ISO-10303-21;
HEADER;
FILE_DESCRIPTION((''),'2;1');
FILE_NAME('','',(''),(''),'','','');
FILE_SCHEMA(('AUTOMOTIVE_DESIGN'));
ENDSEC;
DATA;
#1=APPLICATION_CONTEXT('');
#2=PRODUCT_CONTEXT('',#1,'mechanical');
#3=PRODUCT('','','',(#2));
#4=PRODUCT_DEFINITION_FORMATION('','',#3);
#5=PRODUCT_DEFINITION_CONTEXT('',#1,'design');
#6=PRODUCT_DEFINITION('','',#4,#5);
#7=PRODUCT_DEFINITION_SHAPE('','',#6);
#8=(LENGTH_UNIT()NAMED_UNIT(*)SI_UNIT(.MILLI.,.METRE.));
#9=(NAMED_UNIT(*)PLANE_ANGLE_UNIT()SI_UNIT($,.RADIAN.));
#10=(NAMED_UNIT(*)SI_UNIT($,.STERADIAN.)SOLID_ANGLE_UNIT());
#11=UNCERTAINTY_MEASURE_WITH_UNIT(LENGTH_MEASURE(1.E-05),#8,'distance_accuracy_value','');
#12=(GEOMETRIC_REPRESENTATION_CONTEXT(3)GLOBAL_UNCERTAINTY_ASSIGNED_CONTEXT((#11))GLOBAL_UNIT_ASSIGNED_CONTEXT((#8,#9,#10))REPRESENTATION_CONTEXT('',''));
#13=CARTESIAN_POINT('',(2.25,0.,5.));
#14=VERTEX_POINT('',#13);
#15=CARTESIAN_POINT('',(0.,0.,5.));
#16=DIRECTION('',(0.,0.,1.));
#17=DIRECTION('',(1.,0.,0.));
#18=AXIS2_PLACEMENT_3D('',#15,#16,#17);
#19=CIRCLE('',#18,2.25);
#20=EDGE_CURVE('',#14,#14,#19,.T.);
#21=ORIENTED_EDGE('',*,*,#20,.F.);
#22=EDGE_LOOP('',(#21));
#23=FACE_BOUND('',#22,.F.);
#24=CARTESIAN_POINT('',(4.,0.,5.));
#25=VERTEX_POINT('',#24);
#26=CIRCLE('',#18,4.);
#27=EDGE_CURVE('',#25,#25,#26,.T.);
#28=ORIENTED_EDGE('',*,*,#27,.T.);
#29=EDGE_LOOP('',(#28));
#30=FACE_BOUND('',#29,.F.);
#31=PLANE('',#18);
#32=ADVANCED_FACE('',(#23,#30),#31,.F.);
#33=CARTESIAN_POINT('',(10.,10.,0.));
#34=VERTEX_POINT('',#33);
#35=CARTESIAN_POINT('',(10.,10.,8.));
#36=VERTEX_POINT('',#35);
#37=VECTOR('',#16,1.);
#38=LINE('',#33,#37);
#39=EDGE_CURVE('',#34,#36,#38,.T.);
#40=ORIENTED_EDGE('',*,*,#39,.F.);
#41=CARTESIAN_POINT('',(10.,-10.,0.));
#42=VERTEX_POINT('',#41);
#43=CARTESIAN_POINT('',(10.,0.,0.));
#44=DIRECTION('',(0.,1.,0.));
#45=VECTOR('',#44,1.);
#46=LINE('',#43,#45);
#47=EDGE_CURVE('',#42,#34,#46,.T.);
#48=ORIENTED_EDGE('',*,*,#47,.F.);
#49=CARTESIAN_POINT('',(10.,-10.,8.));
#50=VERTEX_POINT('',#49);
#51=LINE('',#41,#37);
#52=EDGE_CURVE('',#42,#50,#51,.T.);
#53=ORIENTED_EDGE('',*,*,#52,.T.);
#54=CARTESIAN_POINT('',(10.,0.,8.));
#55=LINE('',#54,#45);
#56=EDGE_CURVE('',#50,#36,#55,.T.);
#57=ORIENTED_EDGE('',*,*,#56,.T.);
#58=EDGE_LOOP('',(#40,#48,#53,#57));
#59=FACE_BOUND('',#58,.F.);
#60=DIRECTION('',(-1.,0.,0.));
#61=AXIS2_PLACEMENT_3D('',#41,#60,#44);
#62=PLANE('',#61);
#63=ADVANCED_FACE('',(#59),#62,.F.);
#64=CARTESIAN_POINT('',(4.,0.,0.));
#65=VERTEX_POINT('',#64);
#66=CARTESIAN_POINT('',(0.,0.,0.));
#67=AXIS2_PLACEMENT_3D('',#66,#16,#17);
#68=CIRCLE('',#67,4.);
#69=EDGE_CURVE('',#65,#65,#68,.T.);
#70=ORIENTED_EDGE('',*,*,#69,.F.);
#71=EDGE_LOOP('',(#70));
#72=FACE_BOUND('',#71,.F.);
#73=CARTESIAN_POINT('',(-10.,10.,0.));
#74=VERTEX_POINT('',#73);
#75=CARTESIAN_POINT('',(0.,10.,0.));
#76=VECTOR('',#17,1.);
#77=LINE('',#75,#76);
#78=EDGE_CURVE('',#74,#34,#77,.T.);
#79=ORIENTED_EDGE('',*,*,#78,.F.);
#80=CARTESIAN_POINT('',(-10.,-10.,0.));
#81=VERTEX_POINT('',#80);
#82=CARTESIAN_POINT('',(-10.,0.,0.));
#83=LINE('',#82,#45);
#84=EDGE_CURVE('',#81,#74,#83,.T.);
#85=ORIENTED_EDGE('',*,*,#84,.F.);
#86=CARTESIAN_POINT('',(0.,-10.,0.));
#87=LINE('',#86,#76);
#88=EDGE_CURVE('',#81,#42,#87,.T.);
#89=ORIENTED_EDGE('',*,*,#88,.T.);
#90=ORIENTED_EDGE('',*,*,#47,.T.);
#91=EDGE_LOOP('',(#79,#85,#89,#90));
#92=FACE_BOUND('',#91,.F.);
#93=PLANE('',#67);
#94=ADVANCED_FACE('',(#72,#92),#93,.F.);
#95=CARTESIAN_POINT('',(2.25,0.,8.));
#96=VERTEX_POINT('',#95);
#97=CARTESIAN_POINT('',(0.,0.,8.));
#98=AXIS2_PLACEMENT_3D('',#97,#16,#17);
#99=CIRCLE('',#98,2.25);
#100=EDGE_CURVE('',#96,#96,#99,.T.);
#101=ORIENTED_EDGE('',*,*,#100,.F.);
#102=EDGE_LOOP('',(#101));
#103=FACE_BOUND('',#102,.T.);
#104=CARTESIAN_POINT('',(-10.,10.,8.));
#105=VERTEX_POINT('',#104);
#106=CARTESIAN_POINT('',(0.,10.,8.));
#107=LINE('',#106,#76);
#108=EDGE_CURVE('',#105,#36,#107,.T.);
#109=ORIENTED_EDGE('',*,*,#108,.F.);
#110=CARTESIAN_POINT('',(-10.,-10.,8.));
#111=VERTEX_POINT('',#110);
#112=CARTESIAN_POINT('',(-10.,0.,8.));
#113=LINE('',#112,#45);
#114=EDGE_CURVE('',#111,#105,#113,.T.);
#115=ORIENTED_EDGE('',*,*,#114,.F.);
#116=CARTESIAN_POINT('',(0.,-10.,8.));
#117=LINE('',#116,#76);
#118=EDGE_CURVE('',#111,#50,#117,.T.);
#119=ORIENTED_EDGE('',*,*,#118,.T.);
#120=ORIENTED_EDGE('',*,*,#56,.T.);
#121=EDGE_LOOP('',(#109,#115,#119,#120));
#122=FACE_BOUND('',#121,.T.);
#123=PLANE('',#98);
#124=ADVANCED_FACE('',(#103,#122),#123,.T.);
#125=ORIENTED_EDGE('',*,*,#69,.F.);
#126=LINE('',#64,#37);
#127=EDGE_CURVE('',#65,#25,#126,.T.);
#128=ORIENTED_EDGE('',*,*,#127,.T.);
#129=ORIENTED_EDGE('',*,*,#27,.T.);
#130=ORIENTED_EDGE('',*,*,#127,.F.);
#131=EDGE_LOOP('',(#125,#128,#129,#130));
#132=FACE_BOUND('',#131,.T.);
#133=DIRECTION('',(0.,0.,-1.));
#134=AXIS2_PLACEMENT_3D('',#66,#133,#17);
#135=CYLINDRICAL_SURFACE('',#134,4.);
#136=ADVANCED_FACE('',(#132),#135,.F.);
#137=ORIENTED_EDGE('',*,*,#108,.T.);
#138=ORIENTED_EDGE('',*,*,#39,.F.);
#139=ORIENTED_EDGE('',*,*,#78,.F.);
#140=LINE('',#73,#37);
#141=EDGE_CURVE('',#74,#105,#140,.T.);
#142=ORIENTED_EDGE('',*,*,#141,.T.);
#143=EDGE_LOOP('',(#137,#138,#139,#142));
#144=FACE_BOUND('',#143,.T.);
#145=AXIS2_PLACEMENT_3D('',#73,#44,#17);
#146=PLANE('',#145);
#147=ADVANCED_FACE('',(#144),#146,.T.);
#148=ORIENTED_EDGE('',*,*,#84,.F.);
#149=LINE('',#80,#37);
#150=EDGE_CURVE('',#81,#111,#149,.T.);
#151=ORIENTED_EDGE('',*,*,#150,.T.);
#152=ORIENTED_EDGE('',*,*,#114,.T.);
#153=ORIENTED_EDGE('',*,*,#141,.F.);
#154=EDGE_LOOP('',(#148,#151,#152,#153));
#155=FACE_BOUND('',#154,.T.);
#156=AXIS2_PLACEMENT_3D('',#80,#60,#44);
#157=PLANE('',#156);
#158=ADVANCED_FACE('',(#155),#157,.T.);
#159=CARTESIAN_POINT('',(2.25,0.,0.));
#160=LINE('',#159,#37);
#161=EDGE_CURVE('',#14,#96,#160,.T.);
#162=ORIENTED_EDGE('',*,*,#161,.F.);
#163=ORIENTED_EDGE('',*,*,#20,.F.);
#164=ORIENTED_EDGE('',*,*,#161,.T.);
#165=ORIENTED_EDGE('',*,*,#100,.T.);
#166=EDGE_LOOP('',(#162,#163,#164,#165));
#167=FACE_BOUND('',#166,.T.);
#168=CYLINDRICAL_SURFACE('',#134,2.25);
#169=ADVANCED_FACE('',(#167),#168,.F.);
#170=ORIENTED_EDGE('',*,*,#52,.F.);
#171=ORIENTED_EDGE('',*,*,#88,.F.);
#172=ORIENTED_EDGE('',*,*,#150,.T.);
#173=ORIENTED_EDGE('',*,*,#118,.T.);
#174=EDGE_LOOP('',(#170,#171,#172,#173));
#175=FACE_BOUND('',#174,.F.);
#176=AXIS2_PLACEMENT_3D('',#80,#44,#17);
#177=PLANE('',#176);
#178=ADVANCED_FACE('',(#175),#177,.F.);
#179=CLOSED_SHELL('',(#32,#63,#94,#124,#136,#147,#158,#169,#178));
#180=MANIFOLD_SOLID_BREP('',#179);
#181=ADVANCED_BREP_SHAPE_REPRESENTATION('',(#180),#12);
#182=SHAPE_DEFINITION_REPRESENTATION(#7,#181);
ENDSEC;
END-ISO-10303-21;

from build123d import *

# Parameters (mm, degrees)
F0_W     = 20
F0_H     = 20
F0_R     = 4
F0_R_2   = 2.25
F1_DEPTH = 8
F2_DEPTH = 5


with BuildPart() as f1:
    # F0 (on Top) → F1 (new body)
    with BuildSketch(Plane.XY):
        Rectangle(F0_W, F0_H)
        Circle(F0_R, mode=Mode.SUBTRACT)
        Circle(F0_R)
        Circle(F0_R_2, mode=Mode.SUBTRACT)
    extrude(amount=F1_DEPTH)

    # F0 (on Top) → F2 (cut)
    with BuildSketch(Plane.XY):
        Circle(F0_R)
        Circle(F0_R_2, mode=Mode.SUBTRACT)
    extrude(amount=F2_DEPTH, mode=Mode.SUBTRACT)


solid = f1.part
